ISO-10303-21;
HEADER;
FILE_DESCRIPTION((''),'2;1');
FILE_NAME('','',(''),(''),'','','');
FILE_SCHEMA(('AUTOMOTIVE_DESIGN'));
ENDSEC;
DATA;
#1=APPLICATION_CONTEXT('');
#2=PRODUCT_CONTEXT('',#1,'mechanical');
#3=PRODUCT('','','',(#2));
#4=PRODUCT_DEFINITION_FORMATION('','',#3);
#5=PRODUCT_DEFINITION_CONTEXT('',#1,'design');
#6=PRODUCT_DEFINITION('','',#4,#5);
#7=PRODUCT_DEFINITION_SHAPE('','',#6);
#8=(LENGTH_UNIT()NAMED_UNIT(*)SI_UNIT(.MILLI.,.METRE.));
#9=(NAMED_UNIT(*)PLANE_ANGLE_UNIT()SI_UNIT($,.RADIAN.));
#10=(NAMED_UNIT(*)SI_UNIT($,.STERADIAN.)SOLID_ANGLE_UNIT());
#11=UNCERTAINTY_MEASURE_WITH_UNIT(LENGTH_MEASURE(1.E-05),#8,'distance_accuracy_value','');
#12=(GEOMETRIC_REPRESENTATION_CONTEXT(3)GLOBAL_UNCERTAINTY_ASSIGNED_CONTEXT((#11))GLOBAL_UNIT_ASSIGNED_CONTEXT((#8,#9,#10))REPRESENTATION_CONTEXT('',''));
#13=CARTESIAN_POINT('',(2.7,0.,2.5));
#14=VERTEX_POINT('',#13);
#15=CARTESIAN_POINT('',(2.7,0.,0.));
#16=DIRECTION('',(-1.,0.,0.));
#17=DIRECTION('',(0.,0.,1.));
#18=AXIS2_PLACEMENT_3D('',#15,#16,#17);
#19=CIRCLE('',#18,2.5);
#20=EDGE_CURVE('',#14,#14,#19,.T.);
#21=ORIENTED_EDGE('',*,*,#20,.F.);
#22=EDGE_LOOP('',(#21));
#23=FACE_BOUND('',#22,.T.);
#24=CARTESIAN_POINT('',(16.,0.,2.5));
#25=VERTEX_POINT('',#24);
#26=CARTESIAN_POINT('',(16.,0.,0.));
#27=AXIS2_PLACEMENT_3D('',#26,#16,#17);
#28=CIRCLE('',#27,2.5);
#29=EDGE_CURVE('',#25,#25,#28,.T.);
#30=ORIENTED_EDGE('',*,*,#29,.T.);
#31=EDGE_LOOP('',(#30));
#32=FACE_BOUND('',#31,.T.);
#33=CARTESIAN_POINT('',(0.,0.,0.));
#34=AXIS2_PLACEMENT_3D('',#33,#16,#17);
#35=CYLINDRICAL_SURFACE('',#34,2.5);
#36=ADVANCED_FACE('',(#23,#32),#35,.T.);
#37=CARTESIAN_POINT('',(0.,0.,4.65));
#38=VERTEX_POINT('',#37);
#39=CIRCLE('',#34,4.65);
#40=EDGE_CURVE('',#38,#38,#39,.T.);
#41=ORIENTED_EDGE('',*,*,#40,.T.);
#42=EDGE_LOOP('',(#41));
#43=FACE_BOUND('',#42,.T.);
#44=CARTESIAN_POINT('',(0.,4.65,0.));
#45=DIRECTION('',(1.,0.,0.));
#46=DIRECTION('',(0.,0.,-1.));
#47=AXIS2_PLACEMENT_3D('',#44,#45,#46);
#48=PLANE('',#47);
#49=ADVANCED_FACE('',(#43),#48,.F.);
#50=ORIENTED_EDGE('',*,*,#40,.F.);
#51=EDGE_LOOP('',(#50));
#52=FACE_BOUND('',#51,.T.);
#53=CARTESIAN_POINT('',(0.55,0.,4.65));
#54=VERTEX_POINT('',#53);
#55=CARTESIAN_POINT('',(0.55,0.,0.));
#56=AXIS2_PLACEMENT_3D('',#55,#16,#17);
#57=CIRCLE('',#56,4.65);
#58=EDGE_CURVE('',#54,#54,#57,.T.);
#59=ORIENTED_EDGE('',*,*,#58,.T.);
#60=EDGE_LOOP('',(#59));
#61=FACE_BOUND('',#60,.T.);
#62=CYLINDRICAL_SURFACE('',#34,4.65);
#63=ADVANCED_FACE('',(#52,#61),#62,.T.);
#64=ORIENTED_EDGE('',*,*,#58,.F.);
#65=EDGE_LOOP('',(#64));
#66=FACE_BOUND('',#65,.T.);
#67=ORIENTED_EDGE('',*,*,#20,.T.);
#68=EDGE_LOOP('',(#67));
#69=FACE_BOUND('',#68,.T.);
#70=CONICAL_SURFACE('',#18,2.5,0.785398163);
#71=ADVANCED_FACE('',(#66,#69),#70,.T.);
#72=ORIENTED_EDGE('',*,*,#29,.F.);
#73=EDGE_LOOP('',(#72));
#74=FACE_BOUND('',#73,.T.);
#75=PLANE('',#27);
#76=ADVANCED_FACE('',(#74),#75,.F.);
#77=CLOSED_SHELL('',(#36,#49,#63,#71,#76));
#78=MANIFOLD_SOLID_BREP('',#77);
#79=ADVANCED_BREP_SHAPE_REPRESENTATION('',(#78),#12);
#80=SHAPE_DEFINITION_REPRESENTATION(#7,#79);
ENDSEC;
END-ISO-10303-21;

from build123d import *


with BuildPart() as part:
    # Esquisse1 → Révolution1 (revolve)
    with BuildSketch(Plane.XY, mode=Mode.PRIVATE) as r_volution1_sk:
        Polygon((0, 0), (16, 0), (16, 2.5), (2.7, 2.5), (0.55, 4.65), (0, 4.65), align=None)
    revolve(r_volution1_sk.sketch.rotate(Axis((0, 0, 0), (1, 0, 0)), 90), axis=Axis((0, 0, 0), (1, 0, 0)))


solid = part.part
